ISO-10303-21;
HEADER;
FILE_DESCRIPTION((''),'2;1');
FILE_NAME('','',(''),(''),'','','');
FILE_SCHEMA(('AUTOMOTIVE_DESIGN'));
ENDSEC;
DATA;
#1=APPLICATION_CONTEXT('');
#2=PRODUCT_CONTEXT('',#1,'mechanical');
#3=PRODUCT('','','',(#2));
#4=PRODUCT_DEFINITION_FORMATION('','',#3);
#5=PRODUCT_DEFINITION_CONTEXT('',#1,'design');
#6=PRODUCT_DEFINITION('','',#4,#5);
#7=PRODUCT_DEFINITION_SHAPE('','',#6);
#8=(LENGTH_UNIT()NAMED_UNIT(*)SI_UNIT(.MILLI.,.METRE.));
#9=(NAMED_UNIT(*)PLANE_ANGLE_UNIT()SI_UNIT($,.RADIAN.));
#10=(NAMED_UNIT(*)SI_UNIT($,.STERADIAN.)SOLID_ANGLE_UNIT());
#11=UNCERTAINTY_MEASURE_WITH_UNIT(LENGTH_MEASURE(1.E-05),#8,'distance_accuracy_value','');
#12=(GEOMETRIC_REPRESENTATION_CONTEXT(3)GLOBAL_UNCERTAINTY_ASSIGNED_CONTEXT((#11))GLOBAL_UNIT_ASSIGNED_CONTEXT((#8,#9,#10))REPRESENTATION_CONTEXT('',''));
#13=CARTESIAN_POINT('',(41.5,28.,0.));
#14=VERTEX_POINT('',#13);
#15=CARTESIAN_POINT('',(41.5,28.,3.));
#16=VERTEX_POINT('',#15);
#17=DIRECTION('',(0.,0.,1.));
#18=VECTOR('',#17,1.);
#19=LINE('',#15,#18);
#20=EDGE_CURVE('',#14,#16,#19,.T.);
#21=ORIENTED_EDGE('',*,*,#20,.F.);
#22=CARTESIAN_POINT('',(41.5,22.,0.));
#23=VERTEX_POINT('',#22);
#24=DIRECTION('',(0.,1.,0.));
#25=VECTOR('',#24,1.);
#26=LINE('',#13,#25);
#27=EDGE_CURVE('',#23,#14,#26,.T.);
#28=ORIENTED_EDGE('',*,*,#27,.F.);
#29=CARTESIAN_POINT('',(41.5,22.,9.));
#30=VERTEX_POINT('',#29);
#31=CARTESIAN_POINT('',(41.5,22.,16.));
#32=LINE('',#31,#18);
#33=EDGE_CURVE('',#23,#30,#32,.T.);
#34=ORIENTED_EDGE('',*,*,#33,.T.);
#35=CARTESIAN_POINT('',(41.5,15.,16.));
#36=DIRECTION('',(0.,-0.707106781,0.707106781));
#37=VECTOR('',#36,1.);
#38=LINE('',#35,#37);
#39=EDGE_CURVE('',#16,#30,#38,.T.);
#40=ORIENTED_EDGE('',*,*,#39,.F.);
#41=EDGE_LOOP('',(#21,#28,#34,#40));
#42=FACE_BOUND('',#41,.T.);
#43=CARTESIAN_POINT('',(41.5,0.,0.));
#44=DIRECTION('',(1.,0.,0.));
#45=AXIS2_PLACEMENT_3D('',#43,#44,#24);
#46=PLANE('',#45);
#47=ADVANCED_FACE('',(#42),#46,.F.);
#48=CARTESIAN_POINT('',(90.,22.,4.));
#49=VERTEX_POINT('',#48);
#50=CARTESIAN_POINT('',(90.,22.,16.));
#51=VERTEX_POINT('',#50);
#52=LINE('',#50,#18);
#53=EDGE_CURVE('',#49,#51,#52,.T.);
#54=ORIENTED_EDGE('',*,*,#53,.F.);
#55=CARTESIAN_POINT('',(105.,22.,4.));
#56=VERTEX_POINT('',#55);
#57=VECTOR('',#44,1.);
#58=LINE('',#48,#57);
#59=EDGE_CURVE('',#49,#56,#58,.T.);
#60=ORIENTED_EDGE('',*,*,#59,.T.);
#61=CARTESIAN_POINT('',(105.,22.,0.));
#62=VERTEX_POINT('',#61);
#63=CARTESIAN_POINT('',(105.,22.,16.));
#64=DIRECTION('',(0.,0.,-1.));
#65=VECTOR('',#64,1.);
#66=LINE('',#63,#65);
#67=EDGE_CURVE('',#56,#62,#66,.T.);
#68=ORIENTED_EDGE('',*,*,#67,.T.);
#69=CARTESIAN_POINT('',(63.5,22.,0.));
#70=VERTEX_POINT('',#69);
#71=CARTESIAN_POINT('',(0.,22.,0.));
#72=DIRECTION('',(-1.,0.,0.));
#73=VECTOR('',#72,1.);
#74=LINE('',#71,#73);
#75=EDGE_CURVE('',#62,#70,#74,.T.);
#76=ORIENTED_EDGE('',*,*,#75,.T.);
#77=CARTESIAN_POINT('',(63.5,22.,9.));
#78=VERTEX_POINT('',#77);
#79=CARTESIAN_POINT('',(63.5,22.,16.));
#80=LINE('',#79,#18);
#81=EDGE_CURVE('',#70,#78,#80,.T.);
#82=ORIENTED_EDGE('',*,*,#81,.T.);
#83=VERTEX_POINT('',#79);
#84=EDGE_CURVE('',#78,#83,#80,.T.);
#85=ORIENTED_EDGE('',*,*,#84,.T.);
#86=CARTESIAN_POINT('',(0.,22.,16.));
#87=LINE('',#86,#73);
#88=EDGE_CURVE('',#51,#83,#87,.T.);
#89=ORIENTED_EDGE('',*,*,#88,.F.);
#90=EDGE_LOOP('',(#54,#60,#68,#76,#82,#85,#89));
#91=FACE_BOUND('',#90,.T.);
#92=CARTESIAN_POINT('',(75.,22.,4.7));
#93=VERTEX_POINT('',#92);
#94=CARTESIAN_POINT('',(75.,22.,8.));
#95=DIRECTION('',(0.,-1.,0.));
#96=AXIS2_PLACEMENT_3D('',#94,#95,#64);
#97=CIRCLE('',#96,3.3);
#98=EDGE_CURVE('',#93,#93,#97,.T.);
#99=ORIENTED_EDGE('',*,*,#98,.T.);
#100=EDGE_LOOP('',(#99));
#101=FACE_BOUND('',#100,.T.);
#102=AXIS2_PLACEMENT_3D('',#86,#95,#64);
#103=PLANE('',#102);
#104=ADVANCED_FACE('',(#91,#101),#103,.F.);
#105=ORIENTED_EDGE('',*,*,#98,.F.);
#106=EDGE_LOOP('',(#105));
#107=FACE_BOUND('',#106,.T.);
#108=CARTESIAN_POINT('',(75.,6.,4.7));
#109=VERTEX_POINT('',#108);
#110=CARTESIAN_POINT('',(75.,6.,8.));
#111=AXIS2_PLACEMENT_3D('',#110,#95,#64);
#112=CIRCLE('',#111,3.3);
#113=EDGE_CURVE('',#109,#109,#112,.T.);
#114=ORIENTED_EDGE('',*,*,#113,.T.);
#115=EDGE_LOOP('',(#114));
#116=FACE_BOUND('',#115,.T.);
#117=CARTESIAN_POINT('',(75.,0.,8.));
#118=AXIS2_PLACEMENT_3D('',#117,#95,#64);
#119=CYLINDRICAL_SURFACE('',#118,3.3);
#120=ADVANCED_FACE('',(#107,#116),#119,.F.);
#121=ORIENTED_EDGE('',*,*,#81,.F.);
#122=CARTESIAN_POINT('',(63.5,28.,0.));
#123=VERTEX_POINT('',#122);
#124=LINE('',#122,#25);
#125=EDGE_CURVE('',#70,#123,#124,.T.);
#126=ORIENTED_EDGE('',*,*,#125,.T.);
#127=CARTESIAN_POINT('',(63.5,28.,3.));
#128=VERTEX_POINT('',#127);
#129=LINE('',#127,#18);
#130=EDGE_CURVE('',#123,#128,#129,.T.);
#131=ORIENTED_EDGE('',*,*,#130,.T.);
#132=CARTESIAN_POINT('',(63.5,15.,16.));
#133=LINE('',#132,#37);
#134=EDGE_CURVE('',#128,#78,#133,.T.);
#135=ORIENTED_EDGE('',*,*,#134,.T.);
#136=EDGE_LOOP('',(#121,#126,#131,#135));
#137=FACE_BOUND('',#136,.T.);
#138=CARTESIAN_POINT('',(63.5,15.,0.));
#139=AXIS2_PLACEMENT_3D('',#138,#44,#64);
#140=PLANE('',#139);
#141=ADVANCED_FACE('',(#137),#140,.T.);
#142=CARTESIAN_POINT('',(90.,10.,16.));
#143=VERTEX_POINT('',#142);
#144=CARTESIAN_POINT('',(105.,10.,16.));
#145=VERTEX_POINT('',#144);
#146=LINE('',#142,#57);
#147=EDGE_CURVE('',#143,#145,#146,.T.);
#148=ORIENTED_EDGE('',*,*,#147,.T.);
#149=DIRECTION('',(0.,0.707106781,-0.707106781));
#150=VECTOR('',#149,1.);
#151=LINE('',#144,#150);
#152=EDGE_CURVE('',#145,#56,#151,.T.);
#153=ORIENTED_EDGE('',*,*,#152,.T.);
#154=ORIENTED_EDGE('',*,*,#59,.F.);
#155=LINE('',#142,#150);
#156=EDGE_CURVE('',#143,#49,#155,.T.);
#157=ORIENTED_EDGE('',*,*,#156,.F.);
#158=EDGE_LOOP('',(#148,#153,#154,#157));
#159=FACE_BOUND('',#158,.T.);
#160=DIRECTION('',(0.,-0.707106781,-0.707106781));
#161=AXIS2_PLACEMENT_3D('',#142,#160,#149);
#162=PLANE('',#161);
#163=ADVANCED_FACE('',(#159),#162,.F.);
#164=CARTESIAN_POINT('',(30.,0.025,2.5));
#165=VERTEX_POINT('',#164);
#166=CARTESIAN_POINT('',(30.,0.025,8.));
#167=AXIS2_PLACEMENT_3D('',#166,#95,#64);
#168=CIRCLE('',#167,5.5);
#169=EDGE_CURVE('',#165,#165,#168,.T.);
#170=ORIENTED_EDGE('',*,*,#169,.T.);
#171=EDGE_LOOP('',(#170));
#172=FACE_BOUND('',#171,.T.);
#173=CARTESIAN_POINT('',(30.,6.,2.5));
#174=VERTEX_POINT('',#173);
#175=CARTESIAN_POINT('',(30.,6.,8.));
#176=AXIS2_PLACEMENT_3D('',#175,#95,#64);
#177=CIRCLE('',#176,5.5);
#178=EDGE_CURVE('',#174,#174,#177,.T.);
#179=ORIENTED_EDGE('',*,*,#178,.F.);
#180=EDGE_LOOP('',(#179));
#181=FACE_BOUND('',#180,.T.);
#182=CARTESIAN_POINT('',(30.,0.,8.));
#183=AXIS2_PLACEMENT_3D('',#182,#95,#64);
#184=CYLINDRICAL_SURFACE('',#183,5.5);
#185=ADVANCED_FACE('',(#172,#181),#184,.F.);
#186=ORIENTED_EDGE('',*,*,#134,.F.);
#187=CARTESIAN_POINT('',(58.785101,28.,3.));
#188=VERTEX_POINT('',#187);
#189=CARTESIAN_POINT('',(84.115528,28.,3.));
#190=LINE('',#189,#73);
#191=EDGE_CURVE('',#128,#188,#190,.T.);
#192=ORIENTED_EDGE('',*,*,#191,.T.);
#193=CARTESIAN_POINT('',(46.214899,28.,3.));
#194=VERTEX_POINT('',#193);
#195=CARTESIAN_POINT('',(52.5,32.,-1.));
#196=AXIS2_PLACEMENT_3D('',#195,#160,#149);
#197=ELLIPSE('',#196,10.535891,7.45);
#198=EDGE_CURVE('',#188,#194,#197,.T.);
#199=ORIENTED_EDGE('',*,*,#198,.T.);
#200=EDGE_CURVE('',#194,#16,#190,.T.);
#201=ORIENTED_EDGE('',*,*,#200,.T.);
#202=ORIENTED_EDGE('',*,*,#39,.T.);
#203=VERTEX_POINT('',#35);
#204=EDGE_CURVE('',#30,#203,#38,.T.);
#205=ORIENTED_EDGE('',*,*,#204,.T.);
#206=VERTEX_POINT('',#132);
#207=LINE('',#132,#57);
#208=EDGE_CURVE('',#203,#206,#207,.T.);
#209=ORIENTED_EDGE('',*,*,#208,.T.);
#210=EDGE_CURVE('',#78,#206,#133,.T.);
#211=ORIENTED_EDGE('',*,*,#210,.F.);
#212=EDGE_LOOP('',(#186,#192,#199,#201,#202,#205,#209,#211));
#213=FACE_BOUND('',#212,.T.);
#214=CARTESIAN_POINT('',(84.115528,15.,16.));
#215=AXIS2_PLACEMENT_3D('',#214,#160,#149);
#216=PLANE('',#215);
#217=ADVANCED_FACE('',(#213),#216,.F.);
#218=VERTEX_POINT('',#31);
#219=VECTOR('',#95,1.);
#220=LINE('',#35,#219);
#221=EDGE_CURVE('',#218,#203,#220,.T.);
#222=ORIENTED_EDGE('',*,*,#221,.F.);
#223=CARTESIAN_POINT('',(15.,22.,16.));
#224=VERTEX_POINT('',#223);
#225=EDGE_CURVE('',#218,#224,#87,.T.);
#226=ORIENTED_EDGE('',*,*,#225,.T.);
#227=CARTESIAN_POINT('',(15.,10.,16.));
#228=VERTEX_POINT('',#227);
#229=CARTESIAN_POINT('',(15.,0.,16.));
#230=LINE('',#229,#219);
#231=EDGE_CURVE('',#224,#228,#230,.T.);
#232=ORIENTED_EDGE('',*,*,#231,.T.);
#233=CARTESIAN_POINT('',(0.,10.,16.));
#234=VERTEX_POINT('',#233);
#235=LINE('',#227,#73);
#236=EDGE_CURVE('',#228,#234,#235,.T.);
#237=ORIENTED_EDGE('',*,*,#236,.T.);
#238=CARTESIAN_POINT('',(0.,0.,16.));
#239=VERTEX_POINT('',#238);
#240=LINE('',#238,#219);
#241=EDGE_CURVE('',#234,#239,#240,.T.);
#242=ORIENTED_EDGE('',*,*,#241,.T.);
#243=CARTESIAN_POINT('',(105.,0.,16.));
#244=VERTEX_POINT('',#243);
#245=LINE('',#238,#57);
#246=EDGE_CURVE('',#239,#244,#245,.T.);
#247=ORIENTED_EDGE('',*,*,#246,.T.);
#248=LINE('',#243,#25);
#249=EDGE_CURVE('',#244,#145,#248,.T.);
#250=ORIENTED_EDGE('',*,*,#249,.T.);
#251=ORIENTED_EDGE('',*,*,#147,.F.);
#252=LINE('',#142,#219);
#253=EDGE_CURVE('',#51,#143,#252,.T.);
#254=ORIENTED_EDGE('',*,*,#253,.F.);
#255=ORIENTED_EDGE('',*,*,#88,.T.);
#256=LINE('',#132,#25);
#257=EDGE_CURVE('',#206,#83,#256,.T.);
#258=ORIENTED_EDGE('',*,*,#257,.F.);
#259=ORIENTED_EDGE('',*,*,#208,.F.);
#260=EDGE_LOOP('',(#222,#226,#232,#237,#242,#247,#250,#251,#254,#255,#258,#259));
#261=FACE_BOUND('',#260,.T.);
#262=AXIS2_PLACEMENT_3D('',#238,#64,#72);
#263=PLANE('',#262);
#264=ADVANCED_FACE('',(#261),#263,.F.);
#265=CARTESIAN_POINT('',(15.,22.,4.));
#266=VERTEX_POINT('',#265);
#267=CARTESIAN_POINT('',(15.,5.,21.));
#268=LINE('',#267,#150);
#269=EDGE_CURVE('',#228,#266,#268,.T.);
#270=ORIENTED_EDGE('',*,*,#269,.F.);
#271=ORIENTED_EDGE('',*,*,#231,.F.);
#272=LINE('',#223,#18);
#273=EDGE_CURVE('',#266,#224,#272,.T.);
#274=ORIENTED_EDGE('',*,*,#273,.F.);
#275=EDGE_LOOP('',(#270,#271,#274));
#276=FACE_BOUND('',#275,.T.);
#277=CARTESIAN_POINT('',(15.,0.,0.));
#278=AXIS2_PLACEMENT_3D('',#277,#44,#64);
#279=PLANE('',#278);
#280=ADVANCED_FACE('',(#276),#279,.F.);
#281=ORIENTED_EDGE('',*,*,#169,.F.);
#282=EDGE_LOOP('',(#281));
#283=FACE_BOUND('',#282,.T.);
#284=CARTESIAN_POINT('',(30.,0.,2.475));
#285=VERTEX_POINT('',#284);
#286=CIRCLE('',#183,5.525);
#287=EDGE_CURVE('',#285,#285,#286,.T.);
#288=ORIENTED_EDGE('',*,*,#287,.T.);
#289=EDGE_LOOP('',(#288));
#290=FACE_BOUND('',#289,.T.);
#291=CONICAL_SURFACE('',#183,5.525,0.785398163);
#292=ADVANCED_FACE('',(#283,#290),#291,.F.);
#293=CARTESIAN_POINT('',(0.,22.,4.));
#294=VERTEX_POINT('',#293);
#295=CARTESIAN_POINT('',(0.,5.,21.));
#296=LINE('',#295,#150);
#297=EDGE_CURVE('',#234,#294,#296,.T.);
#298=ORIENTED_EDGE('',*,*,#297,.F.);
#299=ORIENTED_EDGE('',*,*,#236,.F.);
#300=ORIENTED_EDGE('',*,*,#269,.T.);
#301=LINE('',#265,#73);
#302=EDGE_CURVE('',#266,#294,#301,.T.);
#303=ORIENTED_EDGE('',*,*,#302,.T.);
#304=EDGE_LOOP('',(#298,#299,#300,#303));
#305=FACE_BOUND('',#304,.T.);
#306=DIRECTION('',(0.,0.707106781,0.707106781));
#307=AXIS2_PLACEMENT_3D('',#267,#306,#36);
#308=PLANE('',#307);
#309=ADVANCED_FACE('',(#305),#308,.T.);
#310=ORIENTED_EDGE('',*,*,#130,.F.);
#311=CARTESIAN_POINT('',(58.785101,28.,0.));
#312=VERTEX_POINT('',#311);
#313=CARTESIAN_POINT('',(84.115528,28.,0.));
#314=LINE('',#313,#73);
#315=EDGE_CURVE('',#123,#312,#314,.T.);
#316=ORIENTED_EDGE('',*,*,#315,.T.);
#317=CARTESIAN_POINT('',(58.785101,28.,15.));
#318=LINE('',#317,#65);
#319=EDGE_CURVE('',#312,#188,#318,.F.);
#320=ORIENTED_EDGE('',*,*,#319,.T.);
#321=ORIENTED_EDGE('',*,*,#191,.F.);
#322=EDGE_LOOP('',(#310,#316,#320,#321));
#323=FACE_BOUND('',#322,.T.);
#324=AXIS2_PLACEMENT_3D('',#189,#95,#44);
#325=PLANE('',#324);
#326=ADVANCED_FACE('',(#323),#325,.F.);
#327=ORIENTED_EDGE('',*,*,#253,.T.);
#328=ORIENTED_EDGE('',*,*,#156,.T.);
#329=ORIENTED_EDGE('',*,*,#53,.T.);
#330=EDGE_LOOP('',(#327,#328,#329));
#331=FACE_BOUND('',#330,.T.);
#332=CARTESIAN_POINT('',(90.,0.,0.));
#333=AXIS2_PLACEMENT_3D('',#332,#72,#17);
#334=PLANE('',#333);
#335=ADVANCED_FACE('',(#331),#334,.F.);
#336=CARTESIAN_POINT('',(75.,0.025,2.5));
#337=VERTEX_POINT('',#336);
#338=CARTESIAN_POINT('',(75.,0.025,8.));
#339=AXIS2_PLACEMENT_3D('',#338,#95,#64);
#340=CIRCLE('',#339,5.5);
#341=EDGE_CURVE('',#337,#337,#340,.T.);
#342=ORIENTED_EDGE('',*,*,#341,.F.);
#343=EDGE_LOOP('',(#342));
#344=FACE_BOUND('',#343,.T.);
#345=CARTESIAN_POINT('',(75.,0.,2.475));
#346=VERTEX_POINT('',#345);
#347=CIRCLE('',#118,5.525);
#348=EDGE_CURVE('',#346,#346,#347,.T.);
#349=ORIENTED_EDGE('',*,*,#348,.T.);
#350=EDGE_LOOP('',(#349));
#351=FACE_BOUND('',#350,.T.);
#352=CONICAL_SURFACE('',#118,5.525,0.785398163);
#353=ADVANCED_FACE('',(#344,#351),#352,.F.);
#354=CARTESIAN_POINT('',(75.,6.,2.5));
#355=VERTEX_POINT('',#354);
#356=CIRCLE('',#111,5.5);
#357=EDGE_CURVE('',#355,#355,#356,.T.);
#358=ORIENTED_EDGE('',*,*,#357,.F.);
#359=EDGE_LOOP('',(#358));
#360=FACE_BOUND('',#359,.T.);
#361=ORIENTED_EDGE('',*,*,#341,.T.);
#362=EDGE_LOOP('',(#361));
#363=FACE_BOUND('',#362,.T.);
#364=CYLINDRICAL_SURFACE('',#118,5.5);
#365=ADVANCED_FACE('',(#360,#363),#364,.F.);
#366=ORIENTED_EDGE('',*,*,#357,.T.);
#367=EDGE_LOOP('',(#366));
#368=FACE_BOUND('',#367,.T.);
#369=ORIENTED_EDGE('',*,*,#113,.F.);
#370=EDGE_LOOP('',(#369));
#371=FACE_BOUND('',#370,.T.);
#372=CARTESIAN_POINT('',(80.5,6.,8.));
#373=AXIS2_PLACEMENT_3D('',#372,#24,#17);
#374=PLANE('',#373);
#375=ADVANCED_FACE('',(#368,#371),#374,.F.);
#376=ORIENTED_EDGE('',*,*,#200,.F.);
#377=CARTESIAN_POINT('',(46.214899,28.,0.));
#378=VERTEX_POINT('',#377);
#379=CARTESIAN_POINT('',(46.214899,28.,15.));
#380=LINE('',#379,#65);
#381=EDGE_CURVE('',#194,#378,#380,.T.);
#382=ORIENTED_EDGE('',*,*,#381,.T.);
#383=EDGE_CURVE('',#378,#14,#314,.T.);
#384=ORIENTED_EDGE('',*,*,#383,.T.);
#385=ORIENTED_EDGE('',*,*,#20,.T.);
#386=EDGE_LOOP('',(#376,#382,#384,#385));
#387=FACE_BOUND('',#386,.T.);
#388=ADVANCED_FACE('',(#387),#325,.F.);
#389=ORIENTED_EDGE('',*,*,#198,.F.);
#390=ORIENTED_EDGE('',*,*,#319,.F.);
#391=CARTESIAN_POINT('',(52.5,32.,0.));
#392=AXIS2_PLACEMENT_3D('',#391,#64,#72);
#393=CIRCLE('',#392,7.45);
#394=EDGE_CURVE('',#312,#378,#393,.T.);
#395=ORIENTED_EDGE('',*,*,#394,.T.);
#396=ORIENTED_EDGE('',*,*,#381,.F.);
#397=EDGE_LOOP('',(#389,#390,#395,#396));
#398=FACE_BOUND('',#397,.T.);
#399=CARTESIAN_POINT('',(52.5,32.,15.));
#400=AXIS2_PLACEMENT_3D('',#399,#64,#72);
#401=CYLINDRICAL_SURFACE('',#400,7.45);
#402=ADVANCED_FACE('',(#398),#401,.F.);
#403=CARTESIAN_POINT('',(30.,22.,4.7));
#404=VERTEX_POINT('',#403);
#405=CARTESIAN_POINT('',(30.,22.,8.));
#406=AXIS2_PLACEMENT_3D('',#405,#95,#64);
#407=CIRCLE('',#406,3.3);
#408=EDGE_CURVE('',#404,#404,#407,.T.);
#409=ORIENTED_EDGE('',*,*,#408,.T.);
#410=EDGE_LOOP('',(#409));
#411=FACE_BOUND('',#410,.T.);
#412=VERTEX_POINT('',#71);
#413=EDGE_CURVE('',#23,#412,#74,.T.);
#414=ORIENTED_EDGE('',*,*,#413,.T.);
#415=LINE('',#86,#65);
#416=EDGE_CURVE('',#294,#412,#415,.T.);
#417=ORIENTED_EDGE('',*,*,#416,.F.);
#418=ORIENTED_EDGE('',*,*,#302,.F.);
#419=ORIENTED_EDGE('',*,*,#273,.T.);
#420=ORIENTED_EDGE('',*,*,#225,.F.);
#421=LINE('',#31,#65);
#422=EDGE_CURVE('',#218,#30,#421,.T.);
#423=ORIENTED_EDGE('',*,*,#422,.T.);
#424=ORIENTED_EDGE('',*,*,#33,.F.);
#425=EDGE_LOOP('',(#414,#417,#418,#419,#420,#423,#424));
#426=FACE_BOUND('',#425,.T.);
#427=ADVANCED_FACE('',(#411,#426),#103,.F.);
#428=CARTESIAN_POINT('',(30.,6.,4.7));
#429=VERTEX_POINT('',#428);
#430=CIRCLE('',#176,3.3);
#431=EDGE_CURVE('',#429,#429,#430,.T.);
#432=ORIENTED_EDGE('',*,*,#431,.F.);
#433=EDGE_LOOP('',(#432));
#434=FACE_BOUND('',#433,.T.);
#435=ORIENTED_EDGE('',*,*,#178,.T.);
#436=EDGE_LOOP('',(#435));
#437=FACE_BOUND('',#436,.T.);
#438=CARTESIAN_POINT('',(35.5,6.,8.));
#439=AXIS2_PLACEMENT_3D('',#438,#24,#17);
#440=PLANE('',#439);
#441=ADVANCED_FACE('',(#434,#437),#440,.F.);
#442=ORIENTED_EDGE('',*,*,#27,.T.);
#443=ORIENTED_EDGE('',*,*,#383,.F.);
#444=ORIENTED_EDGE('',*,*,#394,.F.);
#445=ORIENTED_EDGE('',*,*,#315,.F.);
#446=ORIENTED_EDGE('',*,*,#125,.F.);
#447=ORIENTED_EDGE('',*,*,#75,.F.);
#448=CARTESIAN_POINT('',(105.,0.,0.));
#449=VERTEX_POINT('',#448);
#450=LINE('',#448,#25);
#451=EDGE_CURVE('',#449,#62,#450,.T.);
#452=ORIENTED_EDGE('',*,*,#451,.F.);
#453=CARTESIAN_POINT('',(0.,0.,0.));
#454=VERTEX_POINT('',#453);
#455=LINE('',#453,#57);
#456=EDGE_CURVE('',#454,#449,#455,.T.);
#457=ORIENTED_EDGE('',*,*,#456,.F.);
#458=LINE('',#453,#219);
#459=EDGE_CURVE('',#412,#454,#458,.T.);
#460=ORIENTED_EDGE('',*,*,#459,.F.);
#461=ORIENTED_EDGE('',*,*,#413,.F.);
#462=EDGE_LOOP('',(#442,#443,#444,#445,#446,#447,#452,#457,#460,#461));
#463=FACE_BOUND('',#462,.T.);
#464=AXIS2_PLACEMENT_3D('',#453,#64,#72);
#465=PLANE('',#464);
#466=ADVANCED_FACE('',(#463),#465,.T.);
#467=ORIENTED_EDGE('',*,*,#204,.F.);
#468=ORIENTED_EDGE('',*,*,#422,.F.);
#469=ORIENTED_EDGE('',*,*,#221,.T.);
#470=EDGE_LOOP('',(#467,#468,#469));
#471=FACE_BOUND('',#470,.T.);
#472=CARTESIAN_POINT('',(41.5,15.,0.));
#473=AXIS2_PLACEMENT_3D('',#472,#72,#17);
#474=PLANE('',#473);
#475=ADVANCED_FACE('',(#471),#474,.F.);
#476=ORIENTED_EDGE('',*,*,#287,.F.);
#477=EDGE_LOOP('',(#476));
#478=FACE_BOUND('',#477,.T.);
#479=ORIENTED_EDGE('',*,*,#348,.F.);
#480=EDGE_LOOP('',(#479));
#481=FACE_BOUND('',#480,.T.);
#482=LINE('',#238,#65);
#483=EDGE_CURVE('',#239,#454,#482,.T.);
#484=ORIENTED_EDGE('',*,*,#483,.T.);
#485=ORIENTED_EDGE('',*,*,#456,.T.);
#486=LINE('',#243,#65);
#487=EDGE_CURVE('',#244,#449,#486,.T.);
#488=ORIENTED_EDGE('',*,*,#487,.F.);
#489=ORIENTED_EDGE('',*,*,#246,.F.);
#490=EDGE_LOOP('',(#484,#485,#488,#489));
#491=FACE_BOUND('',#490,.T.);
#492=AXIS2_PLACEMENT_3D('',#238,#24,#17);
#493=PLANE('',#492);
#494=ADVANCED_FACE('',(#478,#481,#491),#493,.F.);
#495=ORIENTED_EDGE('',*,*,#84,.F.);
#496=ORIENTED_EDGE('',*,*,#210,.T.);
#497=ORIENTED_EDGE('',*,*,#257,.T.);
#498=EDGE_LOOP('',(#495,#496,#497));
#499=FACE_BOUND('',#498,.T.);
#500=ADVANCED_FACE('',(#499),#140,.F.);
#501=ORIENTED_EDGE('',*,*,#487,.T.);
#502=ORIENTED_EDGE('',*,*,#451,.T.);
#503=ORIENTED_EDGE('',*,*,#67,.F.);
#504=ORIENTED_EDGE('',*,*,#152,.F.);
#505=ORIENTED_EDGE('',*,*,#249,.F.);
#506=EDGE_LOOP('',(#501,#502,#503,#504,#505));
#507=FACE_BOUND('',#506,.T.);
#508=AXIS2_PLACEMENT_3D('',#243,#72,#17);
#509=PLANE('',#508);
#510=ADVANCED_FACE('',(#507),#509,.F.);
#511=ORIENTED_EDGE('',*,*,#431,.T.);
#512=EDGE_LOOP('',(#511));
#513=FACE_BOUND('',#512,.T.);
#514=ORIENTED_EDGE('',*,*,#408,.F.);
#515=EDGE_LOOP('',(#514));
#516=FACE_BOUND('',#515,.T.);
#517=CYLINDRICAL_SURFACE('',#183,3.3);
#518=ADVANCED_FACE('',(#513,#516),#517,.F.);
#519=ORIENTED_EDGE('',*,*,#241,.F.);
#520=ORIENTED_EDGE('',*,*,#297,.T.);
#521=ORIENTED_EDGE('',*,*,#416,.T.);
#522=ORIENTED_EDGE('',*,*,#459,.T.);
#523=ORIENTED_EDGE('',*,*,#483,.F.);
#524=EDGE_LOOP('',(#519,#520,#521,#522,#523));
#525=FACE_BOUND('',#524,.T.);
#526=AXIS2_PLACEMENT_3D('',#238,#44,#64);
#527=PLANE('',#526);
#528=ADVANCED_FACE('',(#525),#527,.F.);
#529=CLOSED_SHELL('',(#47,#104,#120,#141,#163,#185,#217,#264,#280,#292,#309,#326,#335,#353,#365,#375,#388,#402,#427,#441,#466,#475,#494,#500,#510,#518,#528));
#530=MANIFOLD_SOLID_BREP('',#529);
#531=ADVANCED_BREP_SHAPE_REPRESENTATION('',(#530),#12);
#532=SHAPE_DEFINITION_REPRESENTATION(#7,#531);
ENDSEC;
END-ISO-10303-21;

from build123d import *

# Parameters (mm, degrees)
CROQUIS1_W                                   = 105
CROQUIS1_H                                   = 22
SALIENTE_EXTRUIR1_DEPTH                      = 16
CORTAR_EXTRUIR2_DEPTH                        = 15
CORTAR_EXTRUIR3_START                        = -105
CORTAR_EXTRUIR3_DEPTH                        = 15
CROQUIS3_W                                   = 22
CROQUIS3_H                                   = 14
CORTAR_EXTRUIR4_DEPTH                        = 109.466584716
SALIENTE_EXTRUIR3_DEPTH                      = 22
CROQUIS5_R                                   = 7.45
CORTAR_EXTRUIR6_DEPTH                        = 15
REFRENTADO_PARA_TORNILLO_TAP_N_CON_C_2_COUNT = 2
REFRENTADO_PARA_TORNILLO_TAP_N_CON_C_2_PITCH = 45


with BuildPart() as part:
    # Croquis1 → Saliente-Extruir1 (new body)
    with BuildSketch(Plane.XY):
        with Locations((52.5, 11)):
            Rectangle(CROQUIS1_W, CROQUIS1_H)
    extrude(amount=SALIENTE_EXTRUIR1_DEPTH)

    # Croquis2 → Cortar-Extruir2 (cut)
    with BuildSketch(Plane(origin=(105, 0, 0), x_dir=(0, 0, -1), z_dir=(1, 0, 0))):
        Polygon((-16, 10), (-16, 22), (-4, 22), align=None)
    extrude(amount=-CORTAR_EXTRUIR2_DEPTH, mode=Mode.SUBTRACT)

    # Croquis2<2> → Cortar-Extruir3 (cut)
    with BuildSketch(Plane(origin=(105, 0, 0), x_dir=(0, 0, -1), z_dir=(1, 0, 0)).offset(CORTAR_EXTRUIR3_START)):
        Polygon((-16, 10), (-16, 22), (-4, 22), align=None)
    extrude(amount=CORTAR_EXTRUIR3_DEPTH, mode=Mode.SUBTRACT)

    # Croquis3 → Cortar-Extruir4 (cut, through all)
    with BuildSketch(Plane.XY.offset(16)):
        with Locations((52.5, 22)):
            Rectangle(CROQUIS3_W, CROQUIS3_H)
    extrude(amount=-CORTAR_EXTRUIR4_DEPTH, mode=Mode.SUBTRACT)

    # Croquis4 → Saliente-Extruir3 (add)
    with BuildSketch(Plane(origin=(41.5, 0, 0), x_dir=(0, 0, -1), z_dir=(1, 0, 0))):
        Polygon((-16, 15), (-3, 28), (0, 28), (0, 15), align=None)
    extrude(amount=SALIENTE_EXTRUIR3_DEPTH)

    # Croquis5 → Cortar-Extruir6 (cut)
    with BuildSketch(Plane(origin=(0, 0, 0), x_dir=(-1, 0, 0), z_dir=(0, 0, -1))):
        with Locations((-52.5, 32)):
            Circle(CROQUIS5_R)
    extrude(amount=-CORTAR_EXTRUIR6_DEPTH, mode=Mode.SUBTRACT)

    # Croquis9 → Refrentado para tornillo tapón con cabeza de clavija de M61 (revolve, cut)
    with BuildSketch(Plane(origin=(30, 0, 8), x_dir=(0, 0, -1), z_dir=(1, 0, 0))):
        Polygon((0, 0), (0, 28), (3.3, 28), (3.3, 6), (5.5, 6), (5.5, 0.025), (5.525, 0), align=None)
    refrentado_para_tornillo_tap_n_con_cabez = revolve(axis=Axis((30, -6.35, 8), (0, 1, 0)), mode=Mode.SUBTRACT)

    # Refrentado para tornillo tap_n con c 2: Refrentado para tornillo tapón con cabeza de clavija de M61 ×2
    with Locations(*[(i * REFRENTADO_PARA_TORNILLO_TAP_N_CON_C_2_PITCH, 0, 0) for i in range(1, REFRENTADO_PARA_TORNILLO_TAP_N_CON_C_2_COUNT)]):
        add(refrentado_para_tornillo_tap_n_con_cabez, mode=Mode.SUBTRACT)


solid = part.part
